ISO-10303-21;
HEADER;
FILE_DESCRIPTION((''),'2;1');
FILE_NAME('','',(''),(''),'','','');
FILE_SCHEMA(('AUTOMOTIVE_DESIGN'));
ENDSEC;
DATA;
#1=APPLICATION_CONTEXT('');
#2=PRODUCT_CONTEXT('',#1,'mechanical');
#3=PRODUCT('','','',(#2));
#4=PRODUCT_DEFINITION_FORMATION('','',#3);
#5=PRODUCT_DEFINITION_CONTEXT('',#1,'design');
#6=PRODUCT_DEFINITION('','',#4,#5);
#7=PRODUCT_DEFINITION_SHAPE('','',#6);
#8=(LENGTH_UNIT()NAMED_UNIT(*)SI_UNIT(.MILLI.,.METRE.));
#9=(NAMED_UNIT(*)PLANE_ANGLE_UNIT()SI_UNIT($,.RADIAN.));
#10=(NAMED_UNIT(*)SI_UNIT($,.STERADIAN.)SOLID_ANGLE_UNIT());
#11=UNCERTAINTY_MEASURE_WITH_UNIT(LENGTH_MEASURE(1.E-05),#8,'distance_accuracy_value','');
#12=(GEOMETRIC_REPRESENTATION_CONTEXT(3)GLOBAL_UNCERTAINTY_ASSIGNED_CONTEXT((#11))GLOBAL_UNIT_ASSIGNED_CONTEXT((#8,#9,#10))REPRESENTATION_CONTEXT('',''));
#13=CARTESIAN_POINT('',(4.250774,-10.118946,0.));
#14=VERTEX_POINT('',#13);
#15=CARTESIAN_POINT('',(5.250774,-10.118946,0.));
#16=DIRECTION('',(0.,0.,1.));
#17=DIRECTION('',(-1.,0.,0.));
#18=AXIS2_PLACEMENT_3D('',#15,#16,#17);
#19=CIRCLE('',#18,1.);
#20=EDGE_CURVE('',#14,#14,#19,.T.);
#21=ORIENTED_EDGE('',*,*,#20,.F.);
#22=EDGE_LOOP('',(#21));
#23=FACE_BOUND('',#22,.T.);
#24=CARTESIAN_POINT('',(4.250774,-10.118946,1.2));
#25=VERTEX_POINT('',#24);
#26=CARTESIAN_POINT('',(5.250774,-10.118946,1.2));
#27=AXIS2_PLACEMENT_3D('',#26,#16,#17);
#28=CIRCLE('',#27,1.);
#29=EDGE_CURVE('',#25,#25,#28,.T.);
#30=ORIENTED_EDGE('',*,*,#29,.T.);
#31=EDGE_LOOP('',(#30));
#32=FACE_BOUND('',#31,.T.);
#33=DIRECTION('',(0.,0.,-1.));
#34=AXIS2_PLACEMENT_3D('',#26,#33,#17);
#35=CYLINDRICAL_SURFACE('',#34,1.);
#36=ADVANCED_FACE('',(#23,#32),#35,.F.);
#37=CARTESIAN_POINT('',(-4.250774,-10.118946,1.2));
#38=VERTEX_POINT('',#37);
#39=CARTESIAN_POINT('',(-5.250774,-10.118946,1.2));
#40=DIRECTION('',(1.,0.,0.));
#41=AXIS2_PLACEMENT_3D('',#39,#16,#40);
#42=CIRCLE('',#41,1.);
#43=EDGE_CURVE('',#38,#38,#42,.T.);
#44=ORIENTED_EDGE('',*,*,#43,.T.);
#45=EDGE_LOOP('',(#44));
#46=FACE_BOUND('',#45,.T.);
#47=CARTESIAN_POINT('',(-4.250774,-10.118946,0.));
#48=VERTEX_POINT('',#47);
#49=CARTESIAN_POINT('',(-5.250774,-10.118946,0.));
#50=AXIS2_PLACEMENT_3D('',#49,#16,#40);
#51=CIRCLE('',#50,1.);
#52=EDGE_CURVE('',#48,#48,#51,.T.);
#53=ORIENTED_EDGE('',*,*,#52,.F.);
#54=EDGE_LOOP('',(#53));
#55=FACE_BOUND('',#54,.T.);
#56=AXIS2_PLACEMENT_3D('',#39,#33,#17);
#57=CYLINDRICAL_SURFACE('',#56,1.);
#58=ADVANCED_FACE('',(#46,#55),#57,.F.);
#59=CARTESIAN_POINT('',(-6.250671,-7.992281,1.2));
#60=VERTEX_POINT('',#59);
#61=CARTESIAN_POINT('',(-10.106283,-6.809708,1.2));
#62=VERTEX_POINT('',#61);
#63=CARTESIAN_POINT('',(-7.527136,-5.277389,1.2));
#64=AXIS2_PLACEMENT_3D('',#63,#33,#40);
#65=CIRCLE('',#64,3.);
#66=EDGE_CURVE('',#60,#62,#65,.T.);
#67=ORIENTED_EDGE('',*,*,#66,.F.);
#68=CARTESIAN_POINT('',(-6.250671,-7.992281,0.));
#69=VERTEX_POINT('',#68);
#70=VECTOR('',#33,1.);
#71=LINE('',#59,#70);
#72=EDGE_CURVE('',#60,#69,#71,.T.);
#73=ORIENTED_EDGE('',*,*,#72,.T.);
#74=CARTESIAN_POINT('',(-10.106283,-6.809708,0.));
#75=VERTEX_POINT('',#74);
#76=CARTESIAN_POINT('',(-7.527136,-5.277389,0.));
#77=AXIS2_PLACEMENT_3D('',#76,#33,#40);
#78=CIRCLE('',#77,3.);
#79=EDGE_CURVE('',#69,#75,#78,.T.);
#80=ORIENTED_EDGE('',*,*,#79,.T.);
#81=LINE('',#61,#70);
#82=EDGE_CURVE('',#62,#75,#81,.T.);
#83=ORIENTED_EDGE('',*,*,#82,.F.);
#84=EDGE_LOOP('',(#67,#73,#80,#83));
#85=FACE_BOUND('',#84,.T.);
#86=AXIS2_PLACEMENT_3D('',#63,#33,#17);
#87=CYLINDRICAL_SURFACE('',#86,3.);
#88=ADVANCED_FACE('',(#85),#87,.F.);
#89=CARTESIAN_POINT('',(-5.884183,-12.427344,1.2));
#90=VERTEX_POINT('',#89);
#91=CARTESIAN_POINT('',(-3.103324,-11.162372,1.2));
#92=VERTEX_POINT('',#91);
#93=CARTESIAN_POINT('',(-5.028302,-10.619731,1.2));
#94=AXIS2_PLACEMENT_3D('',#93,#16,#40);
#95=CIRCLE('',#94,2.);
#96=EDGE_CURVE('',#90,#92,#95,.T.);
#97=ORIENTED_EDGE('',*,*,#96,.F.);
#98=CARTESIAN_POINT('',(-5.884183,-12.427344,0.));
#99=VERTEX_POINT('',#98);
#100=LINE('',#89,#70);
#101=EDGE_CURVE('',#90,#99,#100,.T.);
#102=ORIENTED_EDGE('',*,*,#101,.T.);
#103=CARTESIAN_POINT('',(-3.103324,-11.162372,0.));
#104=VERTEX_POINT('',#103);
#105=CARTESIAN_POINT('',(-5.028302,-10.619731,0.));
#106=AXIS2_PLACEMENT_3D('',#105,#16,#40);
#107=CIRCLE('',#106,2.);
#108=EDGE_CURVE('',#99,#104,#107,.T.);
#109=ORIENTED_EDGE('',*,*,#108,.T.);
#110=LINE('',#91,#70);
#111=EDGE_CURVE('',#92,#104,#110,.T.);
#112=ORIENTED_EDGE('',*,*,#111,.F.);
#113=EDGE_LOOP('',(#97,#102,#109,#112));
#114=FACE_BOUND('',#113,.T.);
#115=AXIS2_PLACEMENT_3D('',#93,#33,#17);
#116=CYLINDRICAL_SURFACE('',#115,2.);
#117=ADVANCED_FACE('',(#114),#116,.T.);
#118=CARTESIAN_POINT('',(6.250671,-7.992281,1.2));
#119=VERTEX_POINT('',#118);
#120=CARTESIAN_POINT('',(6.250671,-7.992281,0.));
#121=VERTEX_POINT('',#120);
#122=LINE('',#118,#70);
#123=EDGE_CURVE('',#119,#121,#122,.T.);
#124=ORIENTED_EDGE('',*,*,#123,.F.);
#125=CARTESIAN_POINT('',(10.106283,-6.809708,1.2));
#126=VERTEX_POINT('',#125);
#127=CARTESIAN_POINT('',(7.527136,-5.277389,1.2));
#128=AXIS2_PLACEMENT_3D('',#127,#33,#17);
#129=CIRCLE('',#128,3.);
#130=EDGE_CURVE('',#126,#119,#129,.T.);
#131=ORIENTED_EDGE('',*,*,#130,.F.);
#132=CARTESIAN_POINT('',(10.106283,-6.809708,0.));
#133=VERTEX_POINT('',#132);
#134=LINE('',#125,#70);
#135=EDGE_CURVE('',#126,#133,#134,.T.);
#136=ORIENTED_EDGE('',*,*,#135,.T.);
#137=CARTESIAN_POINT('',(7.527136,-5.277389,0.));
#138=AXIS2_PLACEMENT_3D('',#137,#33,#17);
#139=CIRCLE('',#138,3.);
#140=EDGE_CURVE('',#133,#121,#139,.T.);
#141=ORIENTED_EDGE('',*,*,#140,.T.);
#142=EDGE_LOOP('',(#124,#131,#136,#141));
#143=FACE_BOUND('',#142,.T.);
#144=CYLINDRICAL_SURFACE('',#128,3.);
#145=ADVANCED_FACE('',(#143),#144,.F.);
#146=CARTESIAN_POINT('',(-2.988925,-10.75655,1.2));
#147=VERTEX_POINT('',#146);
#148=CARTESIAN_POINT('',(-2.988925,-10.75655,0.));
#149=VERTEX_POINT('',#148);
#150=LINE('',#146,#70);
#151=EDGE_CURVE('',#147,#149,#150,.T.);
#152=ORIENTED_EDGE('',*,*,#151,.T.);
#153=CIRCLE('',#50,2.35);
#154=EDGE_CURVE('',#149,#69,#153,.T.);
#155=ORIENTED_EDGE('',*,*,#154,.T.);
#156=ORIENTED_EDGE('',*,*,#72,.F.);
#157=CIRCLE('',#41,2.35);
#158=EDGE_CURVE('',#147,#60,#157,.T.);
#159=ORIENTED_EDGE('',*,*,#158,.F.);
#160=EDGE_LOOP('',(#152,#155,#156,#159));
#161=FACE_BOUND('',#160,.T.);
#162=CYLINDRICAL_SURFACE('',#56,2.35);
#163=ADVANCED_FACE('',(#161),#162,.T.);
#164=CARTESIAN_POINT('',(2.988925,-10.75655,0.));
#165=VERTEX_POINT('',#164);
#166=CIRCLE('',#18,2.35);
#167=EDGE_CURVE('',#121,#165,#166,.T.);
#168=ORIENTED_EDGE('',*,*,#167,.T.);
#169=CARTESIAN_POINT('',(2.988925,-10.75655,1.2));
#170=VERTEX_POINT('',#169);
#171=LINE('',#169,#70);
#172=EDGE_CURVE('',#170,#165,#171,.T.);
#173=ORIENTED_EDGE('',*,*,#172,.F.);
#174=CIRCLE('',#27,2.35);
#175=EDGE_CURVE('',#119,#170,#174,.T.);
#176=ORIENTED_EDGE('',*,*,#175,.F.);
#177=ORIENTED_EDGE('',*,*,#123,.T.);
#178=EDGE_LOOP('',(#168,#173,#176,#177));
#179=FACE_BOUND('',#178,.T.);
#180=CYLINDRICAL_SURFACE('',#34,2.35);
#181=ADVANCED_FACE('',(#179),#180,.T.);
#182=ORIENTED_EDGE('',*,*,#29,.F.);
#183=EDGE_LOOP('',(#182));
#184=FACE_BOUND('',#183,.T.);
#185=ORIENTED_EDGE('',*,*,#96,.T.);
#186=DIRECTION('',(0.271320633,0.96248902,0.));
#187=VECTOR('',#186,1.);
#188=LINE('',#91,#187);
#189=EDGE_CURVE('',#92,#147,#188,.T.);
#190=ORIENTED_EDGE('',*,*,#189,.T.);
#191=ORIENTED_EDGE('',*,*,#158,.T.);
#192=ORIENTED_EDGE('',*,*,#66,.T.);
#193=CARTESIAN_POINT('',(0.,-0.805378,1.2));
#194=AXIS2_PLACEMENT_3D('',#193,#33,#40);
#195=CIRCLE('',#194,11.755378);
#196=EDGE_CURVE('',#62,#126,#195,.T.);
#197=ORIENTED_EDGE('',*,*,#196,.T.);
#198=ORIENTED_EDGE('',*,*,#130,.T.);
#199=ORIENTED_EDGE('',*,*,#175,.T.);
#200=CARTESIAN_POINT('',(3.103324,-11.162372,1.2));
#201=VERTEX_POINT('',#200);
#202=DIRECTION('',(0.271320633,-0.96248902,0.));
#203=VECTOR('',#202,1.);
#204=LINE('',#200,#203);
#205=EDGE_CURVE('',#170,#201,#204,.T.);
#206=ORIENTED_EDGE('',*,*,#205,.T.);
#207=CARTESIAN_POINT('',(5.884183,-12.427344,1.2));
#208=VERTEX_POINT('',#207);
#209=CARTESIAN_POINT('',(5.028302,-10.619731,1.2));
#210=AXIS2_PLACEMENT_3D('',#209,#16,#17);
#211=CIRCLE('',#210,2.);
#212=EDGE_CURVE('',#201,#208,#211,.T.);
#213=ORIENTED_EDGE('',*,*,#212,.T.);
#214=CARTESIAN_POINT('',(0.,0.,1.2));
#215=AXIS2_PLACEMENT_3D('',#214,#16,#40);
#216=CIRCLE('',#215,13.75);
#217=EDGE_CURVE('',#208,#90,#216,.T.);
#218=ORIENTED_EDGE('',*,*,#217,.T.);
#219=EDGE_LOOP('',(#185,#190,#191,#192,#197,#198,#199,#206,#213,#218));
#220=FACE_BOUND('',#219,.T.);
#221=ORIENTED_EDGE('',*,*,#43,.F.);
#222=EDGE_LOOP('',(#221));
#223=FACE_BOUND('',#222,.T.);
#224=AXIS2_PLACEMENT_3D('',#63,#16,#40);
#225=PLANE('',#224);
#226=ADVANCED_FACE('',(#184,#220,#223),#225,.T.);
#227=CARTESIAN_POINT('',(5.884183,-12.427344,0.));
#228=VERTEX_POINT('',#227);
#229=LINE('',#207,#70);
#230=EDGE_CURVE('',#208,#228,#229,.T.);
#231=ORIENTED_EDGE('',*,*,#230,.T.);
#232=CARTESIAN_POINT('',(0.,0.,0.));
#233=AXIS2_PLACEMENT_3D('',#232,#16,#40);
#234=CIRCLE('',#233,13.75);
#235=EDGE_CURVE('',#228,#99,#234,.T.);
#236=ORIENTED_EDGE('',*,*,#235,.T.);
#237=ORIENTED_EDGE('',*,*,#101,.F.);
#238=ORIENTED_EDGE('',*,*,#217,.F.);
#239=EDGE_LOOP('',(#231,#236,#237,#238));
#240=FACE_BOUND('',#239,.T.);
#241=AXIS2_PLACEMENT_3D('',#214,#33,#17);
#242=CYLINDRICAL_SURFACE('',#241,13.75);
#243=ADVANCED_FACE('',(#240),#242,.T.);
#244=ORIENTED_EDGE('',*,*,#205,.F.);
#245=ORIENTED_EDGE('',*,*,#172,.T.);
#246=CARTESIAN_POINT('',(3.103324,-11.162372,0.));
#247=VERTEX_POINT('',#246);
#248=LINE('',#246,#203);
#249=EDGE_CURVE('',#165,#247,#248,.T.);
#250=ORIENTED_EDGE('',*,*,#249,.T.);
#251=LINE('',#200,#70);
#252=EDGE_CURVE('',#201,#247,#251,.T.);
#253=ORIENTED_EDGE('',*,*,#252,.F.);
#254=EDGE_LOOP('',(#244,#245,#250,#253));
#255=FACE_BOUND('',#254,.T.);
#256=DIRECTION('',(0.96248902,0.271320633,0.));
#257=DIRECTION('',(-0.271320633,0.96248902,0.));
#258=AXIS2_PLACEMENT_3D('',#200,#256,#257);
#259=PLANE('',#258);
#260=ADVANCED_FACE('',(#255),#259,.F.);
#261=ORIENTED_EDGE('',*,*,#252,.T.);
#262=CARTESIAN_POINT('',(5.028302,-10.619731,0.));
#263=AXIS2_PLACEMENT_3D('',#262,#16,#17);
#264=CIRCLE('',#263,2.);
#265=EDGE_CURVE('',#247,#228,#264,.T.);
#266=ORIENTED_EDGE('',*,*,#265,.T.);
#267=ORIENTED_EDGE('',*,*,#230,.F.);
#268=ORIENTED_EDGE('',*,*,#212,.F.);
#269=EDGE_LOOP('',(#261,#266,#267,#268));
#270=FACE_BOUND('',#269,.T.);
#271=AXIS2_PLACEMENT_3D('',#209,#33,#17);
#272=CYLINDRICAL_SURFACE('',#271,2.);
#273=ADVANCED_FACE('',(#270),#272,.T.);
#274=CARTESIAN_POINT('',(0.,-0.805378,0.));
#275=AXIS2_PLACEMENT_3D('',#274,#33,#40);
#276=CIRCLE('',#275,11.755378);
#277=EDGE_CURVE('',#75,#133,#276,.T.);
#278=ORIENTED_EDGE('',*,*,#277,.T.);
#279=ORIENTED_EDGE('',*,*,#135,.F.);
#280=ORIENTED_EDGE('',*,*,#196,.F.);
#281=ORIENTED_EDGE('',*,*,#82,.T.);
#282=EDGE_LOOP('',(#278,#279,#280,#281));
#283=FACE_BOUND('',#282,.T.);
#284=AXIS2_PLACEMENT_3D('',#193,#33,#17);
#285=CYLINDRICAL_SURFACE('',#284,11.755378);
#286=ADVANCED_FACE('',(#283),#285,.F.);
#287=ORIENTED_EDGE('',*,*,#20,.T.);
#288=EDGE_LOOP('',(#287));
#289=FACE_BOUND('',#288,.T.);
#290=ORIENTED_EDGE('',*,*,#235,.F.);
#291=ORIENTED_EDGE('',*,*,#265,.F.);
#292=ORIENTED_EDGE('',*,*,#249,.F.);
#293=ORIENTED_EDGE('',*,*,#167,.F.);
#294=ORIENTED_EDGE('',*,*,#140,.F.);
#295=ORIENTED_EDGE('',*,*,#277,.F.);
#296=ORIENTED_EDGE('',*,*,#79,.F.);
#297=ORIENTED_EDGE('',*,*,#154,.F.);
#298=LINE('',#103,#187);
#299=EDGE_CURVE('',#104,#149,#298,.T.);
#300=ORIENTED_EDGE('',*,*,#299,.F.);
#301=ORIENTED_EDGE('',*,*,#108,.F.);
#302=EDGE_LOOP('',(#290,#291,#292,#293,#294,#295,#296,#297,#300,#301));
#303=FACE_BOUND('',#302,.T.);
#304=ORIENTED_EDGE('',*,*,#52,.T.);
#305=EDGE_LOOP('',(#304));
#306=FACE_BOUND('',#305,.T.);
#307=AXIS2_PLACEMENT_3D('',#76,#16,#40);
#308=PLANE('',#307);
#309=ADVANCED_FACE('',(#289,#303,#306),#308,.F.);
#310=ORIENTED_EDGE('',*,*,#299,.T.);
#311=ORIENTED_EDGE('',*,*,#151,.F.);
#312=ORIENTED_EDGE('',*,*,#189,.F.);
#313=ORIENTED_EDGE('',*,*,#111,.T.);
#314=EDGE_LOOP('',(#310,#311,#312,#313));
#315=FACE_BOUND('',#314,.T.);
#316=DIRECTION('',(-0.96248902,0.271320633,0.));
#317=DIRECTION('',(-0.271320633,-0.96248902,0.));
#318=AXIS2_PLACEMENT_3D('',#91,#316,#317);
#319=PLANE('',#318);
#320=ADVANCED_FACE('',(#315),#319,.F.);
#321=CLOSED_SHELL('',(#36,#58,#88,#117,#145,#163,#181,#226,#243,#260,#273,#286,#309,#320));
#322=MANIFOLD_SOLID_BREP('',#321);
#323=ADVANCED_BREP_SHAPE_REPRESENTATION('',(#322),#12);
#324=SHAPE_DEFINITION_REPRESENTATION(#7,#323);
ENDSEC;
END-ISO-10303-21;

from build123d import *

# Parameters (mm, degrees)
SKETCH_3_R      = 1
EXTRUDE_1_DEPTH = 1.2


with BuildPart() as part:
    # Эскиз3 → Бобышка-Вытянуть1 (new body)
    with BuildSketch(Plane.XY):
        with BuildLine():
            Line((-3.103323876, -11.162371952), (-2.988924759, -10.756549904))
            ThreePointArc((-2.988924759, -10.756549904), (-3.731423363, -8.326162611), (-6.250671205, -7.992281071))
            ThreePointArc((-6.250671205, -7.992281071), (-8.40683178, -8.145513083), (-10.106282686, -6.809708047))
            ThreePointArc((-10.106282686, -6.809708047), (0, 10.95), (10.106282686, -6.809708047))
            ThreePointArc((10.106282686, -6.809708047), (8.40683178, -8.145513083), (6.250671205, -7.992281071))
            ThreePointArc((6.250671205, -7.992281071), (3.731423363, -8.326162611), (2.988924759, -10.756549904))
            Line((2.988924759, -10.756549904), (3.103323876, -11.162371952))
            ThreePointArc((3.103323876, -11.162371952), (4.200183047, -12.44023038), (5.884183094, -12.427344419))
            ThreePointArc((5.884183094, -12.427344419), (0, 13.75), (-5.884183094, -12.427344419))
            ThreePointArc((-5.884183094, -12.427344419), (-4.200183047, -12.44023038), (-3.103323876, -11.162371952))
        make_face()
        with Locations((-5.250773956, -10.118946417)):
            Circle(SKETCH_3_R, mode=Mode.SUBTRACT)
        with Locations((5.250773956, -10.118946417)):
            Circle(SKETCH_3_R, mode=Mode.SUBTRACT)
    extrude(amount=EXTRUDE_1_DEPTH)


solid = part.part
